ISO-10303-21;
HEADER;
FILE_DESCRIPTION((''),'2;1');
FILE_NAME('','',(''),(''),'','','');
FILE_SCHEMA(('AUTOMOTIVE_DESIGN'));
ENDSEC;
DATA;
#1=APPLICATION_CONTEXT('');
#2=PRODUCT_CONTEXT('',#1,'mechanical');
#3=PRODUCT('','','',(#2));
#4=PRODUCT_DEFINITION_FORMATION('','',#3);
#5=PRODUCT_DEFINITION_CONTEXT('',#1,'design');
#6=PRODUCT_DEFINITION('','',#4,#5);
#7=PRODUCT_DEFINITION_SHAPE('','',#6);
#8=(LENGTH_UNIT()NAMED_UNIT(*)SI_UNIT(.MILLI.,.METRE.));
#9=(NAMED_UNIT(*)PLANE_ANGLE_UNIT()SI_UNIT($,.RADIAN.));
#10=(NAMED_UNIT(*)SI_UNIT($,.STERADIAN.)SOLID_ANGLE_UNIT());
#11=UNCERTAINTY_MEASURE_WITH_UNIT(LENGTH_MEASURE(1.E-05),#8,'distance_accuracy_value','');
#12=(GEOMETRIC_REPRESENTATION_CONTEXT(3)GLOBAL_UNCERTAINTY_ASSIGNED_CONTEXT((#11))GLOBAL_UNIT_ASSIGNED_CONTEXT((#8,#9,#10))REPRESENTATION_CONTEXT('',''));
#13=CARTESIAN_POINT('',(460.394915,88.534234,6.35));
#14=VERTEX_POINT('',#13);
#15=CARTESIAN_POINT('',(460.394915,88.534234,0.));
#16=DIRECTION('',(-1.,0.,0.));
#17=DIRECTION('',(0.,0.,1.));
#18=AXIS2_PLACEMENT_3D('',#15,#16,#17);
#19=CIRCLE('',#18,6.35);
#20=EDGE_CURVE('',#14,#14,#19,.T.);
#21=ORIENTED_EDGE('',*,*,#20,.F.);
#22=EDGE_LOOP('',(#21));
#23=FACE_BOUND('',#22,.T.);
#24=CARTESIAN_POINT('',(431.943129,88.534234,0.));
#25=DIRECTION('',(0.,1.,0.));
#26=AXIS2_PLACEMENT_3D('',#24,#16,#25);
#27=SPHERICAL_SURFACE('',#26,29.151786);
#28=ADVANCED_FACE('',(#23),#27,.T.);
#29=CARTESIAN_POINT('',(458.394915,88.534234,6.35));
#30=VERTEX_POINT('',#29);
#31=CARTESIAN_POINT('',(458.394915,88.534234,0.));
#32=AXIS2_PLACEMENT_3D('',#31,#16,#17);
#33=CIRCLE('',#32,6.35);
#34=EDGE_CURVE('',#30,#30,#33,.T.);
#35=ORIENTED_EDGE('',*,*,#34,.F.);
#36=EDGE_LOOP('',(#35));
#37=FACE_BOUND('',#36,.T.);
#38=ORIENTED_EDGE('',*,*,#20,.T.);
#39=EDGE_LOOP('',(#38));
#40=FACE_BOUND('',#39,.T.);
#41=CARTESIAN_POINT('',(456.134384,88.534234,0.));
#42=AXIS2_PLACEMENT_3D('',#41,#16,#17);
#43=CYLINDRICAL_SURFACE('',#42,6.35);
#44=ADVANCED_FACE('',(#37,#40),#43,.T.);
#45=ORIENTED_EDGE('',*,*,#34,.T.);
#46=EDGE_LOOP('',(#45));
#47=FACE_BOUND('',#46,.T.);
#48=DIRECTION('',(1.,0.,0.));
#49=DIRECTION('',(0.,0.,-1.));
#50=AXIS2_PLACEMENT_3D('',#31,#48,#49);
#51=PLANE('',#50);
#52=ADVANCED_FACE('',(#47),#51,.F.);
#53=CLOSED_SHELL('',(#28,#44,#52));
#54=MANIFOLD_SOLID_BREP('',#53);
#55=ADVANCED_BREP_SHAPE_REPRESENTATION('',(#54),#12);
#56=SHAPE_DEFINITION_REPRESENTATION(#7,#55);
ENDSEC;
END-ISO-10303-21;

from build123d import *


with BuildPart() as part:
    # 草图1 → 旋转1 (revolve)
    with BuildSketch(Plane.XY):
        with BuildLine():
            Line((458.394914726, 88.534233583), (458.394914726, 94.884233583))
            Line((458.394914726, 94.884233583), (460.394914726, 94.884233583))
            ThreePointArc((460.394914726, 94.884233583), (460.919386281, 91.728466668), (461.094914726, 88.534233583))
            Line((461.094914726, 88.534233583), (458.394914726, 88.534233583))
        make_face()
    revolve(axis=Axis((456.13438358, 88.534233583, 0), (1, 0, 0)))


solid = part.part
